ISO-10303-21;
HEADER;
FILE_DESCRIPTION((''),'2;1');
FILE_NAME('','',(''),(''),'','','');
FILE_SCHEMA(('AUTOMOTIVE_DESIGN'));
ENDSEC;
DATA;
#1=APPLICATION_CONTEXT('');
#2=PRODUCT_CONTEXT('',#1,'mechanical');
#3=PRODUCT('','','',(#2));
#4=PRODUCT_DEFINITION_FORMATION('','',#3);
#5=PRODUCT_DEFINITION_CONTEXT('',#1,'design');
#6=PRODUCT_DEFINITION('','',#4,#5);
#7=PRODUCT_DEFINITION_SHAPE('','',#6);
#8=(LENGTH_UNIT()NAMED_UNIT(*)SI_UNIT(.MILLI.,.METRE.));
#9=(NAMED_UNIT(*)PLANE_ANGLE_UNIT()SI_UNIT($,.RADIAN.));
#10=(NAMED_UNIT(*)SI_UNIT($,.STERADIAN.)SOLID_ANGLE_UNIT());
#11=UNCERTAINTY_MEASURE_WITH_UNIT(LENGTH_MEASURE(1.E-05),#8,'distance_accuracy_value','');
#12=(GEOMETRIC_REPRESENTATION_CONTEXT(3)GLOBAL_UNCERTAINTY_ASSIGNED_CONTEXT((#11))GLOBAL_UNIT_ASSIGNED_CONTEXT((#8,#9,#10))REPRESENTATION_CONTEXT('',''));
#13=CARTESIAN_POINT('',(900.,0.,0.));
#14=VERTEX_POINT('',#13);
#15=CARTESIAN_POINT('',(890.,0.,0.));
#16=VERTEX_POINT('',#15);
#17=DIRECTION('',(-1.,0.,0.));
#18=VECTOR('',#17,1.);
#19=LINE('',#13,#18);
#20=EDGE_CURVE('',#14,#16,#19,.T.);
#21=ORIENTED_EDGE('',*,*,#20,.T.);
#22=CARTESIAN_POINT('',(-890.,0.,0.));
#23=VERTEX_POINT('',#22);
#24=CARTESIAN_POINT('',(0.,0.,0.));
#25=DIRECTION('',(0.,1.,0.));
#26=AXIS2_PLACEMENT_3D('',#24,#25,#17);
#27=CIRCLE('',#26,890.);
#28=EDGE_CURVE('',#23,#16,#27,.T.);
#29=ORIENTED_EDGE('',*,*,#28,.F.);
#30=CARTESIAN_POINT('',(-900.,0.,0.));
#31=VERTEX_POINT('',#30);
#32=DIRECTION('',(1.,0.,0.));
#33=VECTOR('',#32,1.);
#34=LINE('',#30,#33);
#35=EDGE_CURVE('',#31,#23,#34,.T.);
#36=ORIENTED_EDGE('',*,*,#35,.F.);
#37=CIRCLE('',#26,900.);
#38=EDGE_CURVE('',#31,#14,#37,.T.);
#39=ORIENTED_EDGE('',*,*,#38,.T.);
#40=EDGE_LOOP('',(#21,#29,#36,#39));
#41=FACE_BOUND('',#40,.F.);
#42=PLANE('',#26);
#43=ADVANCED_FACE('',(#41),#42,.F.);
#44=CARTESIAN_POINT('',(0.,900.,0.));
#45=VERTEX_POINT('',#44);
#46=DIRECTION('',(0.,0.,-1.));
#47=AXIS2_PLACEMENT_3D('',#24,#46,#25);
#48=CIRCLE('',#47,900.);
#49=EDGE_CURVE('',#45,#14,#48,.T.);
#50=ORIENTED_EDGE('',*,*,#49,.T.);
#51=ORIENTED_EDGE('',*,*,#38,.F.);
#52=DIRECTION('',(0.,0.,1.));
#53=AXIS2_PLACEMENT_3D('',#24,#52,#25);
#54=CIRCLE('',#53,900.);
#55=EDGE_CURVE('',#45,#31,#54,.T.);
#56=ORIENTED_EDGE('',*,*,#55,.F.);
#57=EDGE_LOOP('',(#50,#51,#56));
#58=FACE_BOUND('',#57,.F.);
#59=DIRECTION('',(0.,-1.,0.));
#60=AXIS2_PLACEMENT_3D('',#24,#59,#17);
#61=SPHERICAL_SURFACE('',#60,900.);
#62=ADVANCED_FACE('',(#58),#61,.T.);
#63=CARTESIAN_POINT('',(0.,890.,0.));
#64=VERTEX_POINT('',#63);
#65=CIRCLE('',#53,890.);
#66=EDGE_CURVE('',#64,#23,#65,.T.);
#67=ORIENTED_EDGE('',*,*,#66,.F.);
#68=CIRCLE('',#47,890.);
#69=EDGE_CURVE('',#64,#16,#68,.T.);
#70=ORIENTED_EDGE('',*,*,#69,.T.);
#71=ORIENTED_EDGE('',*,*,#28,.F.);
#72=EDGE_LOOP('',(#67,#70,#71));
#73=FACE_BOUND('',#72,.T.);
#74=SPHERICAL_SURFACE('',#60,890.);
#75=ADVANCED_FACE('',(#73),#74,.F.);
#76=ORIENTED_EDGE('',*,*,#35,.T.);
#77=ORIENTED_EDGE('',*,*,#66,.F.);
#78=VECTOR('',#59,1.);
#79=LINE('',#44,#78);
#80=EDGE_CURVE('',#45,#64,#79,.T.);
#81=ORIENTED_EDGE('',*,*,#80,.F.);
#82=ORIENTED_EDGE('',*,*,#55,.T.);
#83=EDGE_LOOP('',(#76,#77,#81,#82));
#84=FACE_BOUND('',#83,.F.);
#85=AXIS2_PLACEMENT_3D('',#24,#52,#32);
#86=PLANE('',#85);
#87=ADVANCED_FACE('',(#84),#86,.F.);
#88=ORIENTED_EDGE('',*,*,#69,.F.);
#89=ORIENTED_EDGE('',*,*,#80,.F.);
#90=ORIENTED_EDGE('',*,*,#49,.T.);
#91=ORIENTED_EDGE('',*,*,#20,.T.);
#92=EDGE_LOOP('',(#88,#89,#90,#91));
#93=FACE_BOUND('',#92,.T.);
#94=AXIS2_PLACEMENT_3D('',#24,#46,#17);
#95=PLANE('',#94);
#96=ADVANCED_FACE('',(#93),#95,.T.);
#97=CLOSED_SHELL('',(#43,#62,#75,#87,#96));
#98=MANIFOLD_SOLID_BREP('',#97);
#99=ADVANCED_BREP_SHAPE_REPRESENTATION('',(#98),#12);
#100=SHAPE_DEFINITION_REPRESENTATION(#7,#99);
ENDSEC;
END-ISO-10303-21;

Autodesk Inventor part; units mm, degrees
ref_plane "XZ Plane" through (0, 0, 0) normal (0, 1, 0) x (-1, 0, 0)
sketch "Sketch1" plane through (0, 0, 0) normal (0, 0, 1) x (1, 0, 0)
  arc A0 (0, 900) -> (-900, 0) centre (0, 0) ccw
  arc A1 (0, 890) -> (-890, 0) centre (0, 0) ccw
  line L0 (-900, 0) -> (-890, 0)
  line L1 (0, 900) -> (0, 890)
  line L2 (0, -214.865) -> (0, 1289.19) projected
  dimension "d0" = 10
  dimension "d1" = 900
  dimension "d2" = 0
  dimension "d3" = 0
revolve "Revolution1" add sketch "Sketch1" angle 180 about axis through (0, -10, 0) along (0, 1, 0)
ref_plane "tangent1" through (900, 0, 0) normal (1, 0, 0) x (0, 1, 0)
ref_plane "tangent2" through (-900, 0, 0) normal (1, 0, 0) x (0, 1, 0)
equation "\"d0\" = thickness"
equation "\"d1\" = cover_height_main"
equation "\"thickness\" = 10"
equation "\"cover_height_main\" = 900"
equation "\"hoop_angle_z\" = 45deg"
equation "\"hoop_bearing_length\" = 5deg"
equation "\"hoop_cable_diam\" = 5"
equation "\"hoop_cable_pulley_diam\" = 22"
equation "\"rack_tooth_addendum\" = 5"
equation "\"rack_tooth_dedendum\" = 5"
equation "\"rack_tooth_thickness\" = 5"
equation "\"secure_arm_angle\" = 20deg"
equation "\"secure_arm_hold_length\" = 35"
equation "\"secure_arm_radii\" = 9"
equation "\"support_baseClamp_platformLengthBuffer\" = 35"
equation "\"support_baseClamp_platformThickness\" = 15"
equation "\"support_baseClamp_platformWidthBuffer\" = 0"
equation "\"support_baseClamp_sleeveHoleDiameter\" = 12"
equation "\"support_baseClamp_sleeveSweepTerminationAngle\" = 55deg"
equation "\"support_baseClamp_thickness\" = 8"
equation "\"support_frame_endHoleBuffer\" = 25"
equation "\"support_frame_squareBarFillet\" = 2"
equation "\"support_frame_squareBarThickness\" = 5"
equation "\"hoop_tabs_thickness\" = 6"
equation "\"hoop_tabs_hole\" = 4"
equation "\"wheelchair_deployed_width\" = 635"
equation "\"wheelchair_deployed_length\" = 1067"
equation "\"wheelchair_deployed_height\" = 914"
properties part number "cover2_end"
